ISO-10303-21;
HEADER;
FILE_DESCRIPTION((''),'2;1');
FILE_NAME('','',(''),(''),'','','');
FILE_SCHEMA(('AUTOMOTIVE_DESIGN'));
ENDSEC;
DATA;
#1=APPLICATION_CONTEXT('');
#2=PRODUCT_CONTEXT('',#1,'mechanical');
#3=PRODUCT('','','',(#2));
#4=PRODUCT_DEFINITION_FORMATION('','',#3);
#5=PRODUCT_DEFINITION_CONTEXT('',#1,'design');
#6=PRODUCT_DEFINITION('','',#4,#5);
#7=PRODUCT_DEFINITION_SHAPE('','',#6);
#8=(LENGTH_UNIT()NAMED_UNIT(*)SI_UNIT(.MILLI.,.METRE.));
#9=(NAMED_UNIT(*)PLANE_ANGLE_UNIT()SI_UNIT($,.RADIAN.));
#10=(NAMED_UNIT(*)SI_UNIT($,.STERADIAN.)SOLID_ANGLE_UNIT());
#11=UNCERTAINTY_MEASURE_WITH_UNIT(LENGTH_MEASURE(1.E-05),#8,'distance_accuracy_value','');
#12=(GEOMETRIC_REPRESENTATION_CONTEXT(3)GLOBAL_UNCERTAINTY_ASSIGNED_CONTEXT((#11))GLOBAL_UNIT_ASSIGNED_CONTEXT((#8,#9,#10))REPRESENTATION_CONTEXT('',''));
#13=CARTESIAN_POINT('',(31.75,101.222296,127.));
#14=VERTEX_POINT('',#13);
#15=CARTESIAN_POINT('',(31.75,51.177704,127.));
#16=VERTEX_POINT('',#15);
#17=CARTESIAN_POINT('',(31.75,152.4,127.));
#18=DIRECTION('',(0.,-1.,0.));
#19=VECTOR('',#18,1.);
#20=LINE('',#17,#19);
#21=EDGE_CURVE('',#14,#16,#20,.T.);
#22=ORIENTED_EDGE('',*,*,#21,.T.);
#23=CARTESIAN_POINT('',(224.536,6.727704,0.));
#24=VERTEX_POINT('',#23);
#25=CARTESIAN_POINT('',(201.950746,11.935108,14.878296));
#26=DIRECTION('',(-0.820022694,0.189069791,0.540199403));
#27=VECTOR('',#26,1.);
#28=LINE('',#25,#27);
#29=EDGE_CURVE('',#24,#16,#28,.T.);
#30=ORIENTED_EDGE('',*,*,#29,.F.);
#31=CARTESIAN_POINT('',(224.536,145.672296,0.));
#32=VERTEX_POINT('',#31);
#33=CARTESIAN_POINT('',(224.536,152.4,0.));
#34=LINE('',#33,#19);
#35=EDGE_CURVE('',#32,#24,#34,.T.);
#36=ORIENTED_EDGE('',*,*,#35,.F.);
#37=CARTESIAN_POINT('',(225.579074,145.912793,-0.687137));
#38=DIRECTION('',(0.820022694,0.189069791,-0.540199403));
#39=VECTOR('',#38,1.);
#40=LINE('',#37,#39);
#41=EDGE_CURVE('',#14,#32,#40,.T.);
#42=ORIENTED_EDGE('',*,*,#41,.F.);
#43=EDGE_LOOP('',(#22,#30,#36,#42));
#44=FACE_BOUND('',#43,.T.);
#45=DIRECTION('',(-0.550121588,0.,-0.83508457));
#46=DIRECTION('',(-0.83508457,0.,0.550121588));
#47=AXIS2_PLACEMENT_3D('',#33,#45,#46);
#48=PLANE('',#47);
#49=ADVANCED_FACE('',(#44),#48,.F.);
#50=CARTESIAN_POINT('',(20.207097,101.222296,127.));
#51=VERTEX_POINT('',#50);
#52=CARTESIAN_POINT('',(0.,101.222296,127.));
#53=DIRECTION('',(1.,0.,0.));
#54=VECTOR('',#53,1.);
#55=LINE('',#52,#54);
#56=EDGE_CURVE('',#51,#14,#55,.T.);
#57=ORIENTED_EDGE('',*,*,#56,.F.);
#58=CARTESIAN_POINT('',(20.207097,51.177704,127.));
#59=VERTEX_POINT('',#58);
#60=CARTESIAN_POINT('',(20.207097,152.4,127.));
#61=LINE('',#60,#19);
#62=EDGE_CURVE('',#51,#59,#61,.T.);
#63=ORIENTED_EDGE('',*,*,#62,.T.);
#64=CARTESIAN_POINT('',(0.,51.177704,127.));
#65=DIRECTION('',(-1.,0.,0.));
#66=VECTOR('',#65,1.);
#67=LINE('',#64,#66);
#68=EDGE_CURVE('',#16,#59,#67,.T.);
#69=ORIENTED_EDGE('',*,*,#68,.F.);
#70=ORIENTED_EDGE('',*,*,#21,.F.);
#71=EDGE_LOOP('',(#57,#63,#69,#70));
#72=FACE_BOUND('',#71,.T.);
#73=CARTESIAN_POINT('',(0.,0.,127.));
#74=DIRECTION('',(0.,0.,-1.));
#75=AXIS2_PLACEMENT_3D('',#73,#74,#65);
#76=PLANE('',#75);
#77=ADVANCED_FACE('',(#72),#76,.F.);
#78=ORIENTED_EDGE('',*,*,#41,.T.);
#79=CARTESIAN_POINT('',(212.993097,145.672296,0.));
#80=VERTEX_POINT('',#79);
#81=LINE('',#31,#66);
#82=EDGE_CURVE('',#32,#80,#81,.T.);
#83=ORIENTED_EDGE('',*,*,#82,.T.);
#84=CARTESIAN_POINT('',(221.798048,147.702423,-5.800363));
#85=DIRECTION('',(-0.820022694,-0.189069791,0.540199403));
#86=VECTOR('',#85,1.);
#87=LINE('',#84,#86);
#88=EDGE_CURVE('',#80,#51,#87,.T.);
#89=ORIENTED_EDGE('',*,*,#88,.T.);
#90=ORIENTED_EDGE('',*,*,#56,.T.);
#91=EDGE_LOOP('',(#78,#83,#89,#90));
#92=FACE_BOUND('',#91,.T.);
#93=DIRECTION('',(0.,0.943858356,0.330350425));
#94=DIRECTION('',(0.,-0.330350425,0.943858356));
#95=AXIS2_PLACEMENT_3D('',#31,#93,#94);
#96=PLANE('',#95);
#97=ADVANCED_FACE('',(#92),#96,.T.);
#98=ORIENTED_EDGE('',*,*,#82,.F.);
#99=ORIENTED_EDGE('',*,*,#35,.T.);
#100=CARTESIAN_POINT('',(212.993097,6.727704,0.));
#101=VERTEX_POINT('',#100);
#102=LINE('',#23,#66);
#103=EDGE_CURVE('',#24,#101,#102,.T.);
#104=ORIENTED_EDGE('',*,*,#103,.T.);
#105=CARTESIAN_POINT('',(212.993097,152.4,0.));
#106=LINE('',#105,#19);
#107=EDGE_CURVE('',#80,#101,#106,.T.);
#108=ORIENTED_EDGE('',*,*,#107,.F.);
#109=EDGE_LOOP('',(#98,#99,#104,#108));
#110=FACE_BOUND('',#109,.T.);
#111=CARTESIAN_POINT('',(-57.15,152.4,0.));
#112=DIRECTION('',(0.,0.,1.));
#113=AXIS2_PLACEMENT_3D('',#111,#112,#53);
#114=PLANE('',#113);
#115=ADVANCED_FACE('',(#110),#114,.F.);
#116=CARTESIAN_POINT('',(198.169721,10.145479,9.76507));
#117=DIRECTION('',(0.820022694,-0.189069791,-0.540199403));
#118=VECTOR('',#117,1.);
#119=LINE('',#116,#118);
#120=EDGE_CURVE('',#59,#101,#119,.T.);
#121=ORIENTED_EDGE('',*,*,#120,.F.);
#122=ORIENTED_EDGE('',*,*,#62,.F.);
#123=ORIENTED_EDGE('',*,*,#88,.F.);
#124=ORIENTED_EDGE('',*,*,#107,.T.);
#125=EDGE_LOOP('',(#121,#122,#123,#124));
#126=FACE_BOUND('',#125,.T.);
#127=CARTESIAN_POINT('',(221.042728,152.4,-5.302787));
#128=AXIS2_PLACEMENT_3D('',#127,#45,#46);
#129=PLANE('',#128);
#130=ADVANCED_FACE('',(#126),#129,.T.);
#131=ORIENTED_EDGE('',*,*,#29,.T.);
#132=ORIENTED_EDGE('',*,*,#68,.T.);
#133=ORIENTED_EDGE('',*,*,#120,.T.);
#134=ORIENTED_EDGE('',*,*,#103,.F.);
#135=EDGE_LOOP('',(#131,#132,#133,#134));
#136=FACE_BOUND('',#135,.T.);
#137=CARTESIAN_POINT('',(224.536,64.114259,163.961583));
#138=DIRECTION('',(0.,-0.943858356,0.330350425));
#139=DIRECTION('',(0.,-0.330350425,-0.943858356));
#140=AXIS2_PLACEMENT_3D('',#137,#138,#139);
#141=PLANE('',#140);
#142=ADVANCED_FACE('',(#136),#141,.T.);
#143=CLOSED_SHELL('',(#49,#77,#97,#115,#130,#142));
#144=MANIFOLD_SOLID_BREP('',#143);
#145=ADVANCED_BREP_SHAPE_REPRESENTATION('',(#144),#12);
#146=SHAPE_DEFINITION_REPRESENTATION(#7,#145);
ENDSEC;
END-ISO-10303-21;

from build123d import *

# Parameters (mm, degrees)
BOSS_EXTRUDE1_DEPTH = 152.4
SKETCH3_OUTSIDE_W   = 237.922
SKETCH3_OUTSIDE_H   = 226.36
CUT_EXTRUDE2_DEPTH  = 365.792952335
SHELL1_T            = -6.35
SKETCH8_W           = 266.062607669
SKETCH8_H           = 282.191647152
CUT_EXTRUDE6_DEPTH  = 300.618382774
CUT_EXTRUDE3_DEPTH  = 350.742043935
SKETCH5_OUTSIDE_W   = 351.444
SKETCH5_OUTSIDE_H   = 196.758
CUT_EXTRUDE4_DEPTH  = 296.012320666


with BuildPart() as part:
    # Sketch2 → Boss-Extrude1 (new body)
    with BuildSketch(Plane(origin=(0, 0, 0), x_dir=(1, 0, 0), z_dir=(0, 1, 0))):
        Polygon((-57.15, 0), (224.536, 0), (-24.357683353, -163.961583236), align=None)
    extrude(amount=BOSS_EXTRUDE1_DEPTH)

    # Sketch3 outside → Cut-Extrude2 (cut, through all)
    with BuildSketch(Plane(origin=(-63.5, 0, 0), x_dir=(0, 0, -1), z_dir=(1, 0, 0))):
        with Locations((-81.981, 76.2)):
            Rectangle(SKETCH3_OUTSIDE_W, SKETCH3_OUTSIDE_H)
        Polygon((0, 152.4), (-127, 107.95), (-217.714285714, 76.2), (-127, 44.45), (0, 0), align=None, mode=Mode.SUBTRACT)
    extrude(amount=CUT_EXTRUDE2_DEPTH, mode=Mode.SUBTRACT)

    # Shell1
    shell1_openings = [part.faces().sort_by_distance(p)[0] for p in [
        (83.693, 76.2, 0),
    ]]
    offset(amount=SHELL1_T, openings=shell1_openings, kind=Kind.INTERSECTION)

    # Sketch8 → Cut-Extrude6 (cut, through all)
    with BuildSketch(Plane.XY.offset(127)):
        with Locations((40.834882022, 90.229060284)):
            Rectangle(SKETCH8_W, SKETCH8_H)
    extrude(amount=CUT_EXTRUDE6_DEPTH, mode=Mode.SUBTRACT)

    # Sketch4 → Cut-Extrude3 (cut, through all)
    with BuildSketch(Plane(origin=(-63.5, 0, 0), x_dir=(0, 0, -1), z_dir=(1, 0, 0))):
        Polygon((0, 152.4), (0, 145.672295618), (-163.961583236, 88.285741485), (-163.961583236, 95.013445867), align=None)
        Polygon((-163.961583236, 64.114258515), (0, 6.727704382), (0, 0), (-163.961583236, 57.386554133), align=None)
    extrude(amount=CUT_EXTRUDE3_DEPTH, mode=Mode.SUBTRACT)


with BuildPart() as cut_extrude3_piece_1:
    # of the separate pieces the step leaves, piece 1, a body of its own (cut_extrude3_pieces)
    add(part.part.solids().sort_by_distance((224.536, 6.727704382, 0))[0])


with BuildPart() as cut_extrude3_piece_2:
    # of the separate pieces the step leaves, piece 2, a body of its own (cut_extrude3_pieces)
    add(part.part.solids().sort_by_distance((-31.75, 51.177704382, 127))[0])

    # Sketch5 outside → Cut-Extrude4 (cut, through all)
    with BuildSketch(Plane(origin=(0, 149.86, 0), x_dir=(1, 0, 0), z_dir=(0, 1, 0))):
        with Locations((83.693, -63.5)):
            Rectangle(SKETCH5_OUTSIDE_W, SKETCH5_OUTSIDE_H)
        Polygon((-20.197755363, -152.382449275), (-18.635799907, -160.192226553), (344.317071882, -160.192226553), (317.879717865, 72.864270331), (-35.136715197, 43.31663937), align=None, mode=Mode.SUBTRACT)
    extrude(amount=-CUT_EXTRUDE4_DEPTH, mode=Mode.SUBTRACT)


solid = cut_extrude3_piece_1.part
